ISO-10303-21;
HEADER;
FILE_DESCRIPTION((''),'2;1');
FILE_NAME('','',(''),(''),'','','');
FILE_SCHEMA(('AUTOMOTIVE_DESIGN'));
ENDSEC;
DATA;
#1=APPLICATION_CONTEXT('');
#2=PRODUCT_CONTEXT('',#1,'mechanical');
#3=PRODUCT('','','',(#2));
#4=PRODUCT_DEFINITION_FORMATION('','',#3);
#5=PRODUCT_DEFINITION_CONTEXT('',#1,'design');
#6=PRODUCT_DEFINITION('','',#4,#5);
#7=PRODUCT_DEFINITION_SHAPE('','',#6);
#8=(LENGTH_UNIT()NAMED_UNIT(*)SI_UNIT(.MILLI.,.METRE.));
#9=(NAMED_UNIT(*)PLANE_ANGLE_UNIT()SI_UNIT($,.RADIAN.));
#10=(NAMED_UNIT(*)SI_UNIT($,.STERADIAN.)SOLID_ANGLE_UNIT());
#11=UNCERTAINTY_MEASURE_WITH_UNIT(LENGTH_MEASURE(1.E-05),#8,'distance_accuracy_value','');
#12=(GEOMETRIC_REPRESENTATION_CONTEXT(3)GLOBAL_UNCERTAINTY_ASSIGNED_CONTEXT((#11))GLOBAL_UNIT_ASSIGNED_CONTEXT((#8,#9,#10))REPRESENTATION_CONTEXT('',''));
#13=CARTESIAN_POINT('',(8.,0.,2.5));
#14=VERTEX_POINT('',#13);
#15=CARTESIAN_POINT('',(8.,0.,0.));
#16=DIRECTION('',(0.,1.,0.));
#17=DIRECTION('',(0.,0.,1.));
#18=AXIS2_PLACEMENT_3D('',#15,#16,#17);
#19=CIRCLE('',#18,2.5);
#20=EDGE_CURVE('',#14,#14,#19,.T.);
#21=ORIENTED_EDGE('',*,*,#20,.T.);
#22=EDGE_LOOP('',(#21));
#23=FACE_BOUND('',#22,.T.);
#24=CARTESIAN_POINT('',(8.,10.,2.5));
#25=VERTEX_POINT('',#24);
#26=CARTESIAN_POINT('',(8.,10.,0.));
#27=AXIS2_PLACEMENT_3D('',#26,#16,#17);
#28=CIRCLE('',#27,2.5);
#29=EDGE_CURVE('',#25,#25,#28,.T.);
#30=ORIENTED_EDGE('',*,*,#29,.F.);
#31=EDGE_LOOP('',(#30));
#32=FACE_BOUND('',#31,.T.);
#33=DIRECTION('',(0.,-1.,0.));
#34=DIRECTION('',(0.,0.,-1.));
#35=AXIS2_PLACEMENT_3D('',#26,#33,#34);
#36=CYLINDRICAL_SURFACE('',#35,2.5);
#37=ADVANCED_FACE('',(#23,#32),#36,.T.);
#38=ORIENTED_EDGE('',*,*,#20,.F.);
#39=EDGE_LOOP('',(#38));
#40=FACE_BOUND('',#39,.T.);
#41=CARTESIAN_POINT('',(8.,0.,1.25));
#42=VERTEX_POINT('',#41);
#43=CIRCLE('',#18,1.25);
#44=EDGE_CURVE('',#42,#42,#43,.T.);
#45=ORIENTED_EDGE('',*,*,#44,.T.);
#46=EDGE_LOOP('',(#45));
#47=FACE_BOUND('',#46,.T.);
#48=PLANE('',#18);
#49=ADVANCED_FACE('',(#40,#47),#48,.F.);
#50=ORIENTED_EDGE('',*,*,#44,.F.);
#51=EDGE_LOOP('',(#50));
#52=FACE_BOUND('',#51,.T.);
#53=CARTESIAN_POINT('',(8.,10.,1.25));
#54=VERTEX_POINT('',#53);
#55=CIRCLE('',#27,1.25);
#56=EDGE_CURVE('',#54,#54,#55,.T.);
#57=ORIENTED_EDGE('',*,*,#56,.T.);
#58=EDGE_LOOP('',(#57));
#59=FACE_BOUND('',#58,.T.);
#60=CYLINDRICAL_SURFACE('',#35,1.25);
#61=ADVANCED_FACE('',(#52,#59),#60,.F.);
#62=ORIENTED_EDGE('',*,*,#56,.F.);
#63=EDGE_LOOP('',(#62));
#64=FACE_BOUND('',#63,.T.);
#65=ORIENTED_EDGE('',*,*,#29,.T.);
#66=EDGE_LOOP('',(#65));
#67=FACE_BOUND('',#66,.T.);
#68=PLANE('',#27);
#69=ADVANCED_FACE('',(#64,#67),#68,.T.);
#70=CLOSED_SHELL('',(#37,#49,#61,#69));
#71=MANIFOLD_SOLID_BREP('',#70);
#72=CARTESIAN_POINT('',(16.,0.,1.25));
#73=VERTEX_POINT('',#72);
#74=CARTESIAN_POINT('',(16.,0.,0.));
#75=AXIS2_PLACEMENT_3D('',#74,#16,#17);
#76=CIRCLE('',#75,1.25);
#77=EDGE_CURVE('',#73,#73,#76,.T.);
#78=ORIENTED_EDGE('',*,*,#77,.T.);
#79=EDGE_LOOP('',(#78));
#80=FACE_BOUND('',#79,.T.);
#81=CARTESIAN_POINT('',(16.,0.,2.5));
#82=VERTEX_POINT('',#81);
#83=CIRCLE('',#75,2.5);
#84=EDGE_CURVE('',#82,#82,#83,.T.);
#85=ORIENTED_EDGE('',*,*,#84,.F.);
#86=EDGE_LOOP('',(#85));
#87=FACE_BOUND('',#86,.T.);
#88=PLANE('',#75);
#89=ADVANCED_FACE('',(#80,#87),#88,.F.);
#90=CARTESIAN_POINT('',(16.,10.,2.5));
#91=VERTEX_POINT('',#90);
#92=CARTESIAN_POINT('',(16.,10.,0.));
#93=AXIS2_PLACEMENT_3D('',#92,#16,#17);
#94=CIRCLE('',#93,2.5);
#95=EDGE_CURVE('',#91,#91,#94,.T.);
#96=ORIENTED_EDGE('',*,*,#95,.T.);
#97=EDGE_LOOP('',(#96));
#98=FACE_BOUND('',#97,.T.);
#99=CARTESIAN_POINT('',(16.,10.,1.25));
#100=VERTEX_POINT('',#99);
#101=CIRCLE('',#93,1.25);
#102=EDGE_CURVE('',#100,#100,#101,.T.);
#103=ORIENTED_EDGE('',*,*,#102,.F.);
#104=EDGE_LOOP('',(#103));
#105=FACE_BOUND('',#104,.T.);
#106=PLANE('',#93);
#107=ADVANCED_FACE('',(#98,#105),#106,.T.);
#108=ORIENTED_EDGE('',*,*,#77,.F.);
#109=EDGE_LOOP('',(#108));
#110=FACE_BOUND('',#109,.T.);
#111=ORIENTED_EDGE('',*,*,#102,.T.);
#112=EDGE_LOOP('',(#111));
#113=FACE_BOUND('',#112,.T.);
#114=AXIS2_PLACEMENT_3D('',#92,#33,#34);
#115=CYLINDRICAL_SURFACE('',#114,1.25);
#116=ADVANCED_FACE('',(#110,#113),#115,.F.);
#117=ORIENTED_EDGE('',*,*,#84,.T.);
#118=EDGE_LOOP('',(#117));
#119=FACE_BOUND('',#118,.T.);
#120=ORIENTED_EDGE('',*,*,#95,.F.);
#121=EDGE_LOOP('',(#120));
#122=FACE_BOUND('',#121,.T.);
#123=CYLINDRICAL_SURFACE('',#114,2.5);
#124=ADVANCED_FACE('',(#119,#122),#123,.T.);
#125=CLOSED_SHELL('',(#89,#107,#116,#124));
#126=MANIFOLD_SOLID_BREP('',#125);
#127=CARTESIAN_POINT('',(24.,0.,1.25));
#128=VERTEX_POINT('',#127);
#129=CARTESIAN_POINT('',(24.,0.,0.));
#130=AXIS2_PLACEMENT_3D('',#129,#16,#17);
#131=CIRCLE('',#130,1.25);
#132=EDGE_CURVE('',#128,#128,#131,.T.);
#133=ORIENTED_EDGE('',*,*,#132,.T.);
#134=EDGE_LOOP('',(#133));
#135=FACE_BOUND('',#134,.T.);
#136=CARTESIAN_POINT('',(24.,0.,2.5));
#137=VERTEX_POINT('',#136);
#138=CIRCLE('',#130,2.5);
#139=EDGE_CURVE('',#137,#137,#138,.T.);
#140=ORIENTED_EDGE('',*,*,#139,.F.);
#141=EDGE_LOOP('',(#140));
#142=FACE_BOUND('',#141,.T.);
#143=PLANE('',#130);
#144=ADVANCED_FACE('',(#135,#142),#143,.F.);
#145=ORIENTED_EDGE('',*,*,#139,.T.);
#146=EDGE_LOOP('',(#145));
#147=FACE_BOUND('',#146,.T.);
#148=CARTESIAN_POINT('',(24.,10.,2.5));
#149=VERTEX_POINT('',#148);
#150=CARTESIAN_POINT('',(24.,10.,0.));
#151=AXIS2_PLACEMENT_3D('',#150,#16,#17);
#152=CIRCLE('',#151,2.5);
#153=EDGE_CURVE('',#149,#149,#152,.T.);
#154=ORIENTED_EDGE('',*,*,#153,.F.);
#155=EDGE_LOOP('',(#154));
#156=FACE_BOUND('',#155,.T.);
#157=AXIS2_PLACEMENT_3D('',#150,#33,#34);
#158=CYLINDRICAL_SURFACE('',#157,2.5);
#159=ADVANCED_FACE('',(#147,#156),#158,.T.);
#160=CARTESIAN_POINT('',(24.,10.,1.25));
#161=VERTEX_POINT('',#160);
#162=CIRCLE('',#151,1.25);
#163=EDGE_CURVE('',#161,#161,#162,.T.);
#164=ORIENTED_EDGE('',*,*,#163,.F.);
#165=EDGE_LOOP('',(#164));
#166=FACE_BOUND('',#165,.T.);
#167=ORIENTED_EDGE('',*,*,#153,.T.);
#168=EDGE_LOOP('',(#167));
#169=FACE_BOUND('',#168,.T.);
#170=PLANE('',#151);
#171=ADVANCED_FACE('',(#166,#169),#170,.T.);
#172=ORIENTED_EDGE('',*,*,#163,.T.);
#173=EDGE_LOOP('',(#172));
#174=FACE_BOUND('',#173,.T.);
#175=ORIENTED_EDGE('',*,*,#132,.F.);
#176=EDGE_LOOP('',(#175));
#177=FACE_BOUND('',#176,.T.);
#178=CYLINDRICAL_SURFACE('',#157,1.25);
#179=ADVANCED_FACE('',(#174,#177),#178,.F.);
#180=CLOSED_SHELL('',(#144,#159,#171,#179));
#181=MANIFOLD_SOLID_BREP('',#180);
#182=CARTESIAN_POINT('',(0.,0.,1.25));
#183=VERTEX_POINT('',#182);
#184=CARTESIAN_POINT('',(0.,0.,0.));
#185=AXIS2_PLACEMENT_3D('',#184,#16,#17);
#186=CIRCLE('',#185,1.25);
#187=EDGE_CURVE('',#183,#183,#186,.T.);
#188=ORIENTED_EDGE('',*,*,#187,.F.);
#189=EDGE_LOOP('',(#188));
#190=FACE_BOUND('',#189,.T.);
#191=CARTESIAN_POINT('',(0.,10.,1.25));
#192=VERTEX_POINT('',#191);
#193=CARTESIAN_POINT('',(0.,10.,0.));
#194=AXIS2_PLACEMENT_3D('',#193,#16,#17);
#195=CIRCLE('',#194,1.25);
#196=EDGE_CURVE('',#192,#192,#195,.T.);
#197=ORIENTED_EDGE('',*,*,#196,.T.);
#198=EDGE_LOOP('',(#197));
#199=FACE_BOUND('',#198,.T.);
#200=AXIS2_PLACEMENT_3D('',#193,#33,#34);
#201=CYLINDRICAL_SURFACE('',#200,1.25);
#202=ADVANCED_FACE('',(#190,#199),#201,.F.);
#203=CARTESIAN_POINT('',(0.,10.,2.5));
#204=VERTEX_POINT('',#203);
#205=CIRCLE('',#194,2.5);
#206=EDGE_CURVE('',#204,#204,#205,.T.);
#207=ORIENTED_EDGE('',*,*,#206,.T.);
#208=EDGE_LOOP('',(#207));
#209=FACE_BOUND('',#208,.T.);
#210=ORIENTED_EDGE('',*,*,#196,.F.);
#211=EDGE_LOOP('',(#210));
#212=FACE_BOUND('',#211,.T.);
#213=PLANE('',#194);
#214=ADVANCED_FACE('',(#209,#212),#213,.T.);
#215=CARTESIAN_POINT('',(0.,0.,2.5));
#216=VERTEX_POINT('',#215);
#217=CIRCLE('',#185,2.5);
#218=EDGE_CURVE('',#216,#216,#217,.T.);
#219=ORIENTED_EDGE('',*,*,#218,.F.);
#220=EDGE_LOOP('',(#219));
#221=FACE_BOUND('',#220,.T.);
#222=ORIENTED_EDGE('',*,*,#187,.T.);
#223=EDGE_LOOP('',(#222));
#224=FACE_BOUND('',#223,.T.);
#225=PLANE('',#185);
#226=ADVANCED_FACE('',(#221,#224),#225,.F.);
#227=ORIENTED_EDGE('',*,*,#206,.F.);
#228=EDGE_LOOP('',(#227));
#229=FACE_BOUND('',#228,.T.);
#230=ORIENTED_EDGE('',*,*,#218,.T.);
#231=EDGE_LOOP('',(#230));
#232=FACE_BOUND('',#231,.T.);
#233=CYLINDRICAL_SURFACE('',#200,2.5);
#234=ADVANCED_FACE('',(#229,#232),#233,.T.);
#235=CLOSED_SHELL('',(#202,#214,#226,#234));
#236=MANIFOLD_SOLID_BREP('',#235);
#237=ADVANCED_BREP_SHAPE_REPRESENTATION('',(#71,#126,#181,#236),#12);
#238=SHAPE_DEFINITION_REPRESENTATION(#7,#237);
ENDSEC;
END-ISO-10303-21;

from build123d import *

# Parameters (mm, degrees)
SKETCH1_R             = 2.5
SKETCH1_R_2           = 1.25
BOSS_EXTRUDE1_DEPTH   = 10
BOSS_EXTRUDE1_2_DEPTH = 10
BOSS_EXTRUDE1_3_DEPTH = 10
BOSS_EXTRUDE1_4_DEPTH = 10


with BuildPart() as part:
    # Sketch1 → Boss-Extrude1 (new body)
    with BuildSketch(Plane(origin=(0, 0, 0), x_dir=(1, 0, 0), z_dir=(0, 1, 0))):
        with Locations(Location((0, 0, 0), (0, 0, 270))):
            Circle(SKETCH1_R)
        with Locations(Location((0, 0, 0), (0, 0, 270))):
            Circle(SKETCH1_R_2, mode=Mode.SUBTRACT)
    extrude(amount=BOSS_EXTRUDE1_DEPTH)


with BuildPart() as body_2:
    # Sketch1 → Boss-Extrude1 2 (new body)
    with BuildSketch(Plane(origin=(0, 0, 0), x_dir=(1, 0, 0), z_dir=(0, 1, 0))):
        with Locations(Location((8, 0, 0), (0, 0, 270))):
            Circle(SKETCH1_R)
        with Locations(Location((8, 0, 0), (0, 0, 270))):
            Circle(SKETCH1_R_2, mode=Mode.SUBTRACT)
    extrude(amount=BOSS_EXTRUDE1_2_DEPTH)


with BuildPart() as body_3:
    # Sketch1 → Boss-Extrude1 3 (new body)
    with BuildSketch(Plane(origin=(0, 0, 0), x_dir=(1, 0, 0), z_dir=(0, 1, 0))):
        with Locations(Location((16, 0, 0), (0, 0, 270))):
            Circle(SKETCH1_R)
        with Locations(Location((16, 0, 0), (0, 0, 270))):
            Circle(SKETCH1_R_2, mode=Mode.SUBTRACT)
    extrude(amount=BOSS_EXTRUDE1_3_DEPTH)


with BuildPart() as body_4:
    # Sketch1 → Boss-Extrude1 4 (new body)
    with BuildSketch(Plane(origin=(0, 0, 0), x_dir=(1, 0, 0), z_dir=(0, 1, 0))):
        with Locations(Location((24, 0, 0), (0, 0, 270))):
            Circle(SKETCH1_R)
        with Locations(Location((24, 0, 0), (0, 0, 270))):
            Circle(SKETCH1_R_2, mode=Mode.SUBTRACT)
    extrude(amount=BOSS_EXTRUDE1_4_DEPTH)


solid = Compound([part.part, body_2.part, body_3.part, body_4.part])
